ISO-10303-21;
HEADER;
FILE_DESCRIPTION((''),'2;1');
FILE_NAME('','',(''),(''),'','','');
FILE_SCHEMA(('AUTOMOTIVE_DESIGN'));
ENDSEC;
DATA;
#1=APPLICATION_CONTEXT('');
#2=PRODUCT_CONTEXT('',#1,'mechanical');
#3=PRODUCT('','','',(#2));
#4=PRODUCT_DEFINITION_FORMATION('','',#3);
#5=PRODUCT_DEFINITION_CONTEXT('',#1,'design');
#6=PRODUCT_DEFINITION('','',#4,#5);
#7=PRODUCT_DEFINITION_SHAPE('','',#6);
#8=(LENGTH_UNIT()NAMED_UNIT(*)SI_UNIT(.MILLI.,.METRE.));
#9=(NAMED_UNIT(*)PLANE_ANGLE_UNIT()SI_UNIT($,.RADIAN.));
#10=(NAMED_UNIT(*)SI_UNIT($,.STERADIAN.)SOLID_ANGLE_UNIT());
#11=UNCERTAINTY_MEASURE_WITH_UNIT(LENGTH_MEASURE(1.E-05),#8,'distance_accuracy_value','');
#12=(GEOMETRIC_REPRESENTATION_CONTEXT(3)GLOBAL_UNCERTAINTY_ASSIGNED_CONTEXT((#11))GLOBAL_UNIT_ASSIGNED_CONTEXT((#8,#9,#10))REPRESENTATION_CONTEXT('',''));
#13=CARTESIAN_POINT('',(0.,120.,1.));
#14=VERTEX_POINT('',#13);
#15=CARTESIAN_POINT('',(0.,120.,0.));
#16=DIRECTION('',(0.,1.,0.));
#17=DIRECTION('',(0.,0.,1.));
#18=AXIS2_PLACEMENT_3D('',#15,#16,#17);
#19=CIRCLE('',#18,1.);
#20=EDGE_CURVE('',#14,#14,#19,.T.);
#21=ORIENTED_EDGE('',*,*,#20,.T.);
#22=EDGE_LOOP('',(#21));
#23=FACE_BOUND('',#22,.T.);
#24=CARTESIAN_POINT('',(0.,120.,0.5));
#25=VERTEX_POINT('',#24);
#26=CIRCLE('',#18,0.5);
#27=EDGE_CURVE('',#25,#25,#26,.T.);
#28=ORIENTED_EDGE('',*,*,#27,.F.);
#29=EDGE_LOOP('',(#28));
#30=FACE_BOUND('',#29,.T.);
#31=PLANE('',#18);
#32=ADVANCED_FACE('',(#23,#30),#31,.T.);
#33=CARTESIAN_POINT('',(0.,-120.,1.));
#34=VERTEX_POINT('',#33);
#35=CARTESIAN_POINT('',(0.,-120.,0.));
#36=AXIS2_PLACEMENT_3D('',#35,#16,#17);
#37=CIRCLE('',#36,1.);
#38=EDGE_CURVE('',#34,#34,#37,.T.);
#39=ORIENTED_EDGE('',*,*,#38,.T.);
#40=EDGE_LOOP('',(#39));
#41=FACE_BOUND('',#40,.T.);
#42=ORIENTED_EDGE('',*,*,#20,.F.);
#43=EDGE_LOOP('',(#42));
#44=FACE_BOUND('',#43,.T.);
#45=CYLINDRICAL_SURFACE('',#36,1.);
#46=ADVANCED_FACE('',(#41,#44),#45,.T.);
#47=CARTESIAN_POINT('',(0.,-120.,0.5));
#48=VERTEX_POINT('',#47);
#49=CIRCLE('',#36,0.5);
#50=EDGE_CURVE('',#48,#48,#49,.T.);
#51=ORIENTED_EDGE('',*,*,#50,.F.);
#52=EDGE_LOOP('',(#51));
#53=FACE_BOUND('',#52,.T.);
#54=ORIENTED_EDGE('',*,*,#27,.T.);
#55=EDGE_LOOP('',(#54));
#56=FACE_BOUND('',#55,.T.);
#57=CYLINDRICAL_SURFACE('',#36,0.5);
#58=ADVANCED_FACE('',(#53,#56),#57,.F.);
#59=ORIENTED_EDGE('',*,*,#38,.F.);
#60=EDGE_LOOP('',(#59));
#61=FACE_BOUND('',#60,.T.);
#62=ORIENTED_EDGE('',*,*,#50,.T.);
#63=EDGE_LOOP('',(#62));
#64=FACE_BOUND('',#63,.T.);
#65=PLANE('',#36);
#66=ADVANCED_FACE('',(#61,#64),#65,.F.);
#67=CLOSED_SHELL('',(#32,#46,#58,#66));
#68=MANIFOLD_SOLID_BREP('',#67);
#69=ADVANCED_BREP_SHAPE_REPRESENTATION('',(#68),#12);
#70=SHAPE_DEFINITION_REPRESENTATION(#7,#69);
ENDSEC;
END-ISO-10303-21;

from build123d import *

# Parameters (mm, degrees)
BOSS_EXTRUDE1_DEPTH      = 120
BOSS_EXTRUDE1_DEPTH_BACK = 120
SKETCH1_R                = 1
SKETCH1_R_2              = 0.5


with BuildPart() as part:
    # Sketch1 → Boss-Extrude1 (new, two sides: drawn at the far end of the back side and taken through both)
    with BuildSketch(Plane(origin=(0, 0, 0), x_dir=(1, 0, 0), z_dir=(0, 1, 0)).offset(-BOSS_EXTRUDE1_DEPTH_BACK)):
        Circle(SKETCH1_R)
        Circle(SKETCH1_R_2, mode=Mode.SUBTRACT)
    extrude(amount=BOSS_EXTRUDE1_DEPTH + BOSS_EXTRUDE1_DEPTH_BACK)


solid = part.part
